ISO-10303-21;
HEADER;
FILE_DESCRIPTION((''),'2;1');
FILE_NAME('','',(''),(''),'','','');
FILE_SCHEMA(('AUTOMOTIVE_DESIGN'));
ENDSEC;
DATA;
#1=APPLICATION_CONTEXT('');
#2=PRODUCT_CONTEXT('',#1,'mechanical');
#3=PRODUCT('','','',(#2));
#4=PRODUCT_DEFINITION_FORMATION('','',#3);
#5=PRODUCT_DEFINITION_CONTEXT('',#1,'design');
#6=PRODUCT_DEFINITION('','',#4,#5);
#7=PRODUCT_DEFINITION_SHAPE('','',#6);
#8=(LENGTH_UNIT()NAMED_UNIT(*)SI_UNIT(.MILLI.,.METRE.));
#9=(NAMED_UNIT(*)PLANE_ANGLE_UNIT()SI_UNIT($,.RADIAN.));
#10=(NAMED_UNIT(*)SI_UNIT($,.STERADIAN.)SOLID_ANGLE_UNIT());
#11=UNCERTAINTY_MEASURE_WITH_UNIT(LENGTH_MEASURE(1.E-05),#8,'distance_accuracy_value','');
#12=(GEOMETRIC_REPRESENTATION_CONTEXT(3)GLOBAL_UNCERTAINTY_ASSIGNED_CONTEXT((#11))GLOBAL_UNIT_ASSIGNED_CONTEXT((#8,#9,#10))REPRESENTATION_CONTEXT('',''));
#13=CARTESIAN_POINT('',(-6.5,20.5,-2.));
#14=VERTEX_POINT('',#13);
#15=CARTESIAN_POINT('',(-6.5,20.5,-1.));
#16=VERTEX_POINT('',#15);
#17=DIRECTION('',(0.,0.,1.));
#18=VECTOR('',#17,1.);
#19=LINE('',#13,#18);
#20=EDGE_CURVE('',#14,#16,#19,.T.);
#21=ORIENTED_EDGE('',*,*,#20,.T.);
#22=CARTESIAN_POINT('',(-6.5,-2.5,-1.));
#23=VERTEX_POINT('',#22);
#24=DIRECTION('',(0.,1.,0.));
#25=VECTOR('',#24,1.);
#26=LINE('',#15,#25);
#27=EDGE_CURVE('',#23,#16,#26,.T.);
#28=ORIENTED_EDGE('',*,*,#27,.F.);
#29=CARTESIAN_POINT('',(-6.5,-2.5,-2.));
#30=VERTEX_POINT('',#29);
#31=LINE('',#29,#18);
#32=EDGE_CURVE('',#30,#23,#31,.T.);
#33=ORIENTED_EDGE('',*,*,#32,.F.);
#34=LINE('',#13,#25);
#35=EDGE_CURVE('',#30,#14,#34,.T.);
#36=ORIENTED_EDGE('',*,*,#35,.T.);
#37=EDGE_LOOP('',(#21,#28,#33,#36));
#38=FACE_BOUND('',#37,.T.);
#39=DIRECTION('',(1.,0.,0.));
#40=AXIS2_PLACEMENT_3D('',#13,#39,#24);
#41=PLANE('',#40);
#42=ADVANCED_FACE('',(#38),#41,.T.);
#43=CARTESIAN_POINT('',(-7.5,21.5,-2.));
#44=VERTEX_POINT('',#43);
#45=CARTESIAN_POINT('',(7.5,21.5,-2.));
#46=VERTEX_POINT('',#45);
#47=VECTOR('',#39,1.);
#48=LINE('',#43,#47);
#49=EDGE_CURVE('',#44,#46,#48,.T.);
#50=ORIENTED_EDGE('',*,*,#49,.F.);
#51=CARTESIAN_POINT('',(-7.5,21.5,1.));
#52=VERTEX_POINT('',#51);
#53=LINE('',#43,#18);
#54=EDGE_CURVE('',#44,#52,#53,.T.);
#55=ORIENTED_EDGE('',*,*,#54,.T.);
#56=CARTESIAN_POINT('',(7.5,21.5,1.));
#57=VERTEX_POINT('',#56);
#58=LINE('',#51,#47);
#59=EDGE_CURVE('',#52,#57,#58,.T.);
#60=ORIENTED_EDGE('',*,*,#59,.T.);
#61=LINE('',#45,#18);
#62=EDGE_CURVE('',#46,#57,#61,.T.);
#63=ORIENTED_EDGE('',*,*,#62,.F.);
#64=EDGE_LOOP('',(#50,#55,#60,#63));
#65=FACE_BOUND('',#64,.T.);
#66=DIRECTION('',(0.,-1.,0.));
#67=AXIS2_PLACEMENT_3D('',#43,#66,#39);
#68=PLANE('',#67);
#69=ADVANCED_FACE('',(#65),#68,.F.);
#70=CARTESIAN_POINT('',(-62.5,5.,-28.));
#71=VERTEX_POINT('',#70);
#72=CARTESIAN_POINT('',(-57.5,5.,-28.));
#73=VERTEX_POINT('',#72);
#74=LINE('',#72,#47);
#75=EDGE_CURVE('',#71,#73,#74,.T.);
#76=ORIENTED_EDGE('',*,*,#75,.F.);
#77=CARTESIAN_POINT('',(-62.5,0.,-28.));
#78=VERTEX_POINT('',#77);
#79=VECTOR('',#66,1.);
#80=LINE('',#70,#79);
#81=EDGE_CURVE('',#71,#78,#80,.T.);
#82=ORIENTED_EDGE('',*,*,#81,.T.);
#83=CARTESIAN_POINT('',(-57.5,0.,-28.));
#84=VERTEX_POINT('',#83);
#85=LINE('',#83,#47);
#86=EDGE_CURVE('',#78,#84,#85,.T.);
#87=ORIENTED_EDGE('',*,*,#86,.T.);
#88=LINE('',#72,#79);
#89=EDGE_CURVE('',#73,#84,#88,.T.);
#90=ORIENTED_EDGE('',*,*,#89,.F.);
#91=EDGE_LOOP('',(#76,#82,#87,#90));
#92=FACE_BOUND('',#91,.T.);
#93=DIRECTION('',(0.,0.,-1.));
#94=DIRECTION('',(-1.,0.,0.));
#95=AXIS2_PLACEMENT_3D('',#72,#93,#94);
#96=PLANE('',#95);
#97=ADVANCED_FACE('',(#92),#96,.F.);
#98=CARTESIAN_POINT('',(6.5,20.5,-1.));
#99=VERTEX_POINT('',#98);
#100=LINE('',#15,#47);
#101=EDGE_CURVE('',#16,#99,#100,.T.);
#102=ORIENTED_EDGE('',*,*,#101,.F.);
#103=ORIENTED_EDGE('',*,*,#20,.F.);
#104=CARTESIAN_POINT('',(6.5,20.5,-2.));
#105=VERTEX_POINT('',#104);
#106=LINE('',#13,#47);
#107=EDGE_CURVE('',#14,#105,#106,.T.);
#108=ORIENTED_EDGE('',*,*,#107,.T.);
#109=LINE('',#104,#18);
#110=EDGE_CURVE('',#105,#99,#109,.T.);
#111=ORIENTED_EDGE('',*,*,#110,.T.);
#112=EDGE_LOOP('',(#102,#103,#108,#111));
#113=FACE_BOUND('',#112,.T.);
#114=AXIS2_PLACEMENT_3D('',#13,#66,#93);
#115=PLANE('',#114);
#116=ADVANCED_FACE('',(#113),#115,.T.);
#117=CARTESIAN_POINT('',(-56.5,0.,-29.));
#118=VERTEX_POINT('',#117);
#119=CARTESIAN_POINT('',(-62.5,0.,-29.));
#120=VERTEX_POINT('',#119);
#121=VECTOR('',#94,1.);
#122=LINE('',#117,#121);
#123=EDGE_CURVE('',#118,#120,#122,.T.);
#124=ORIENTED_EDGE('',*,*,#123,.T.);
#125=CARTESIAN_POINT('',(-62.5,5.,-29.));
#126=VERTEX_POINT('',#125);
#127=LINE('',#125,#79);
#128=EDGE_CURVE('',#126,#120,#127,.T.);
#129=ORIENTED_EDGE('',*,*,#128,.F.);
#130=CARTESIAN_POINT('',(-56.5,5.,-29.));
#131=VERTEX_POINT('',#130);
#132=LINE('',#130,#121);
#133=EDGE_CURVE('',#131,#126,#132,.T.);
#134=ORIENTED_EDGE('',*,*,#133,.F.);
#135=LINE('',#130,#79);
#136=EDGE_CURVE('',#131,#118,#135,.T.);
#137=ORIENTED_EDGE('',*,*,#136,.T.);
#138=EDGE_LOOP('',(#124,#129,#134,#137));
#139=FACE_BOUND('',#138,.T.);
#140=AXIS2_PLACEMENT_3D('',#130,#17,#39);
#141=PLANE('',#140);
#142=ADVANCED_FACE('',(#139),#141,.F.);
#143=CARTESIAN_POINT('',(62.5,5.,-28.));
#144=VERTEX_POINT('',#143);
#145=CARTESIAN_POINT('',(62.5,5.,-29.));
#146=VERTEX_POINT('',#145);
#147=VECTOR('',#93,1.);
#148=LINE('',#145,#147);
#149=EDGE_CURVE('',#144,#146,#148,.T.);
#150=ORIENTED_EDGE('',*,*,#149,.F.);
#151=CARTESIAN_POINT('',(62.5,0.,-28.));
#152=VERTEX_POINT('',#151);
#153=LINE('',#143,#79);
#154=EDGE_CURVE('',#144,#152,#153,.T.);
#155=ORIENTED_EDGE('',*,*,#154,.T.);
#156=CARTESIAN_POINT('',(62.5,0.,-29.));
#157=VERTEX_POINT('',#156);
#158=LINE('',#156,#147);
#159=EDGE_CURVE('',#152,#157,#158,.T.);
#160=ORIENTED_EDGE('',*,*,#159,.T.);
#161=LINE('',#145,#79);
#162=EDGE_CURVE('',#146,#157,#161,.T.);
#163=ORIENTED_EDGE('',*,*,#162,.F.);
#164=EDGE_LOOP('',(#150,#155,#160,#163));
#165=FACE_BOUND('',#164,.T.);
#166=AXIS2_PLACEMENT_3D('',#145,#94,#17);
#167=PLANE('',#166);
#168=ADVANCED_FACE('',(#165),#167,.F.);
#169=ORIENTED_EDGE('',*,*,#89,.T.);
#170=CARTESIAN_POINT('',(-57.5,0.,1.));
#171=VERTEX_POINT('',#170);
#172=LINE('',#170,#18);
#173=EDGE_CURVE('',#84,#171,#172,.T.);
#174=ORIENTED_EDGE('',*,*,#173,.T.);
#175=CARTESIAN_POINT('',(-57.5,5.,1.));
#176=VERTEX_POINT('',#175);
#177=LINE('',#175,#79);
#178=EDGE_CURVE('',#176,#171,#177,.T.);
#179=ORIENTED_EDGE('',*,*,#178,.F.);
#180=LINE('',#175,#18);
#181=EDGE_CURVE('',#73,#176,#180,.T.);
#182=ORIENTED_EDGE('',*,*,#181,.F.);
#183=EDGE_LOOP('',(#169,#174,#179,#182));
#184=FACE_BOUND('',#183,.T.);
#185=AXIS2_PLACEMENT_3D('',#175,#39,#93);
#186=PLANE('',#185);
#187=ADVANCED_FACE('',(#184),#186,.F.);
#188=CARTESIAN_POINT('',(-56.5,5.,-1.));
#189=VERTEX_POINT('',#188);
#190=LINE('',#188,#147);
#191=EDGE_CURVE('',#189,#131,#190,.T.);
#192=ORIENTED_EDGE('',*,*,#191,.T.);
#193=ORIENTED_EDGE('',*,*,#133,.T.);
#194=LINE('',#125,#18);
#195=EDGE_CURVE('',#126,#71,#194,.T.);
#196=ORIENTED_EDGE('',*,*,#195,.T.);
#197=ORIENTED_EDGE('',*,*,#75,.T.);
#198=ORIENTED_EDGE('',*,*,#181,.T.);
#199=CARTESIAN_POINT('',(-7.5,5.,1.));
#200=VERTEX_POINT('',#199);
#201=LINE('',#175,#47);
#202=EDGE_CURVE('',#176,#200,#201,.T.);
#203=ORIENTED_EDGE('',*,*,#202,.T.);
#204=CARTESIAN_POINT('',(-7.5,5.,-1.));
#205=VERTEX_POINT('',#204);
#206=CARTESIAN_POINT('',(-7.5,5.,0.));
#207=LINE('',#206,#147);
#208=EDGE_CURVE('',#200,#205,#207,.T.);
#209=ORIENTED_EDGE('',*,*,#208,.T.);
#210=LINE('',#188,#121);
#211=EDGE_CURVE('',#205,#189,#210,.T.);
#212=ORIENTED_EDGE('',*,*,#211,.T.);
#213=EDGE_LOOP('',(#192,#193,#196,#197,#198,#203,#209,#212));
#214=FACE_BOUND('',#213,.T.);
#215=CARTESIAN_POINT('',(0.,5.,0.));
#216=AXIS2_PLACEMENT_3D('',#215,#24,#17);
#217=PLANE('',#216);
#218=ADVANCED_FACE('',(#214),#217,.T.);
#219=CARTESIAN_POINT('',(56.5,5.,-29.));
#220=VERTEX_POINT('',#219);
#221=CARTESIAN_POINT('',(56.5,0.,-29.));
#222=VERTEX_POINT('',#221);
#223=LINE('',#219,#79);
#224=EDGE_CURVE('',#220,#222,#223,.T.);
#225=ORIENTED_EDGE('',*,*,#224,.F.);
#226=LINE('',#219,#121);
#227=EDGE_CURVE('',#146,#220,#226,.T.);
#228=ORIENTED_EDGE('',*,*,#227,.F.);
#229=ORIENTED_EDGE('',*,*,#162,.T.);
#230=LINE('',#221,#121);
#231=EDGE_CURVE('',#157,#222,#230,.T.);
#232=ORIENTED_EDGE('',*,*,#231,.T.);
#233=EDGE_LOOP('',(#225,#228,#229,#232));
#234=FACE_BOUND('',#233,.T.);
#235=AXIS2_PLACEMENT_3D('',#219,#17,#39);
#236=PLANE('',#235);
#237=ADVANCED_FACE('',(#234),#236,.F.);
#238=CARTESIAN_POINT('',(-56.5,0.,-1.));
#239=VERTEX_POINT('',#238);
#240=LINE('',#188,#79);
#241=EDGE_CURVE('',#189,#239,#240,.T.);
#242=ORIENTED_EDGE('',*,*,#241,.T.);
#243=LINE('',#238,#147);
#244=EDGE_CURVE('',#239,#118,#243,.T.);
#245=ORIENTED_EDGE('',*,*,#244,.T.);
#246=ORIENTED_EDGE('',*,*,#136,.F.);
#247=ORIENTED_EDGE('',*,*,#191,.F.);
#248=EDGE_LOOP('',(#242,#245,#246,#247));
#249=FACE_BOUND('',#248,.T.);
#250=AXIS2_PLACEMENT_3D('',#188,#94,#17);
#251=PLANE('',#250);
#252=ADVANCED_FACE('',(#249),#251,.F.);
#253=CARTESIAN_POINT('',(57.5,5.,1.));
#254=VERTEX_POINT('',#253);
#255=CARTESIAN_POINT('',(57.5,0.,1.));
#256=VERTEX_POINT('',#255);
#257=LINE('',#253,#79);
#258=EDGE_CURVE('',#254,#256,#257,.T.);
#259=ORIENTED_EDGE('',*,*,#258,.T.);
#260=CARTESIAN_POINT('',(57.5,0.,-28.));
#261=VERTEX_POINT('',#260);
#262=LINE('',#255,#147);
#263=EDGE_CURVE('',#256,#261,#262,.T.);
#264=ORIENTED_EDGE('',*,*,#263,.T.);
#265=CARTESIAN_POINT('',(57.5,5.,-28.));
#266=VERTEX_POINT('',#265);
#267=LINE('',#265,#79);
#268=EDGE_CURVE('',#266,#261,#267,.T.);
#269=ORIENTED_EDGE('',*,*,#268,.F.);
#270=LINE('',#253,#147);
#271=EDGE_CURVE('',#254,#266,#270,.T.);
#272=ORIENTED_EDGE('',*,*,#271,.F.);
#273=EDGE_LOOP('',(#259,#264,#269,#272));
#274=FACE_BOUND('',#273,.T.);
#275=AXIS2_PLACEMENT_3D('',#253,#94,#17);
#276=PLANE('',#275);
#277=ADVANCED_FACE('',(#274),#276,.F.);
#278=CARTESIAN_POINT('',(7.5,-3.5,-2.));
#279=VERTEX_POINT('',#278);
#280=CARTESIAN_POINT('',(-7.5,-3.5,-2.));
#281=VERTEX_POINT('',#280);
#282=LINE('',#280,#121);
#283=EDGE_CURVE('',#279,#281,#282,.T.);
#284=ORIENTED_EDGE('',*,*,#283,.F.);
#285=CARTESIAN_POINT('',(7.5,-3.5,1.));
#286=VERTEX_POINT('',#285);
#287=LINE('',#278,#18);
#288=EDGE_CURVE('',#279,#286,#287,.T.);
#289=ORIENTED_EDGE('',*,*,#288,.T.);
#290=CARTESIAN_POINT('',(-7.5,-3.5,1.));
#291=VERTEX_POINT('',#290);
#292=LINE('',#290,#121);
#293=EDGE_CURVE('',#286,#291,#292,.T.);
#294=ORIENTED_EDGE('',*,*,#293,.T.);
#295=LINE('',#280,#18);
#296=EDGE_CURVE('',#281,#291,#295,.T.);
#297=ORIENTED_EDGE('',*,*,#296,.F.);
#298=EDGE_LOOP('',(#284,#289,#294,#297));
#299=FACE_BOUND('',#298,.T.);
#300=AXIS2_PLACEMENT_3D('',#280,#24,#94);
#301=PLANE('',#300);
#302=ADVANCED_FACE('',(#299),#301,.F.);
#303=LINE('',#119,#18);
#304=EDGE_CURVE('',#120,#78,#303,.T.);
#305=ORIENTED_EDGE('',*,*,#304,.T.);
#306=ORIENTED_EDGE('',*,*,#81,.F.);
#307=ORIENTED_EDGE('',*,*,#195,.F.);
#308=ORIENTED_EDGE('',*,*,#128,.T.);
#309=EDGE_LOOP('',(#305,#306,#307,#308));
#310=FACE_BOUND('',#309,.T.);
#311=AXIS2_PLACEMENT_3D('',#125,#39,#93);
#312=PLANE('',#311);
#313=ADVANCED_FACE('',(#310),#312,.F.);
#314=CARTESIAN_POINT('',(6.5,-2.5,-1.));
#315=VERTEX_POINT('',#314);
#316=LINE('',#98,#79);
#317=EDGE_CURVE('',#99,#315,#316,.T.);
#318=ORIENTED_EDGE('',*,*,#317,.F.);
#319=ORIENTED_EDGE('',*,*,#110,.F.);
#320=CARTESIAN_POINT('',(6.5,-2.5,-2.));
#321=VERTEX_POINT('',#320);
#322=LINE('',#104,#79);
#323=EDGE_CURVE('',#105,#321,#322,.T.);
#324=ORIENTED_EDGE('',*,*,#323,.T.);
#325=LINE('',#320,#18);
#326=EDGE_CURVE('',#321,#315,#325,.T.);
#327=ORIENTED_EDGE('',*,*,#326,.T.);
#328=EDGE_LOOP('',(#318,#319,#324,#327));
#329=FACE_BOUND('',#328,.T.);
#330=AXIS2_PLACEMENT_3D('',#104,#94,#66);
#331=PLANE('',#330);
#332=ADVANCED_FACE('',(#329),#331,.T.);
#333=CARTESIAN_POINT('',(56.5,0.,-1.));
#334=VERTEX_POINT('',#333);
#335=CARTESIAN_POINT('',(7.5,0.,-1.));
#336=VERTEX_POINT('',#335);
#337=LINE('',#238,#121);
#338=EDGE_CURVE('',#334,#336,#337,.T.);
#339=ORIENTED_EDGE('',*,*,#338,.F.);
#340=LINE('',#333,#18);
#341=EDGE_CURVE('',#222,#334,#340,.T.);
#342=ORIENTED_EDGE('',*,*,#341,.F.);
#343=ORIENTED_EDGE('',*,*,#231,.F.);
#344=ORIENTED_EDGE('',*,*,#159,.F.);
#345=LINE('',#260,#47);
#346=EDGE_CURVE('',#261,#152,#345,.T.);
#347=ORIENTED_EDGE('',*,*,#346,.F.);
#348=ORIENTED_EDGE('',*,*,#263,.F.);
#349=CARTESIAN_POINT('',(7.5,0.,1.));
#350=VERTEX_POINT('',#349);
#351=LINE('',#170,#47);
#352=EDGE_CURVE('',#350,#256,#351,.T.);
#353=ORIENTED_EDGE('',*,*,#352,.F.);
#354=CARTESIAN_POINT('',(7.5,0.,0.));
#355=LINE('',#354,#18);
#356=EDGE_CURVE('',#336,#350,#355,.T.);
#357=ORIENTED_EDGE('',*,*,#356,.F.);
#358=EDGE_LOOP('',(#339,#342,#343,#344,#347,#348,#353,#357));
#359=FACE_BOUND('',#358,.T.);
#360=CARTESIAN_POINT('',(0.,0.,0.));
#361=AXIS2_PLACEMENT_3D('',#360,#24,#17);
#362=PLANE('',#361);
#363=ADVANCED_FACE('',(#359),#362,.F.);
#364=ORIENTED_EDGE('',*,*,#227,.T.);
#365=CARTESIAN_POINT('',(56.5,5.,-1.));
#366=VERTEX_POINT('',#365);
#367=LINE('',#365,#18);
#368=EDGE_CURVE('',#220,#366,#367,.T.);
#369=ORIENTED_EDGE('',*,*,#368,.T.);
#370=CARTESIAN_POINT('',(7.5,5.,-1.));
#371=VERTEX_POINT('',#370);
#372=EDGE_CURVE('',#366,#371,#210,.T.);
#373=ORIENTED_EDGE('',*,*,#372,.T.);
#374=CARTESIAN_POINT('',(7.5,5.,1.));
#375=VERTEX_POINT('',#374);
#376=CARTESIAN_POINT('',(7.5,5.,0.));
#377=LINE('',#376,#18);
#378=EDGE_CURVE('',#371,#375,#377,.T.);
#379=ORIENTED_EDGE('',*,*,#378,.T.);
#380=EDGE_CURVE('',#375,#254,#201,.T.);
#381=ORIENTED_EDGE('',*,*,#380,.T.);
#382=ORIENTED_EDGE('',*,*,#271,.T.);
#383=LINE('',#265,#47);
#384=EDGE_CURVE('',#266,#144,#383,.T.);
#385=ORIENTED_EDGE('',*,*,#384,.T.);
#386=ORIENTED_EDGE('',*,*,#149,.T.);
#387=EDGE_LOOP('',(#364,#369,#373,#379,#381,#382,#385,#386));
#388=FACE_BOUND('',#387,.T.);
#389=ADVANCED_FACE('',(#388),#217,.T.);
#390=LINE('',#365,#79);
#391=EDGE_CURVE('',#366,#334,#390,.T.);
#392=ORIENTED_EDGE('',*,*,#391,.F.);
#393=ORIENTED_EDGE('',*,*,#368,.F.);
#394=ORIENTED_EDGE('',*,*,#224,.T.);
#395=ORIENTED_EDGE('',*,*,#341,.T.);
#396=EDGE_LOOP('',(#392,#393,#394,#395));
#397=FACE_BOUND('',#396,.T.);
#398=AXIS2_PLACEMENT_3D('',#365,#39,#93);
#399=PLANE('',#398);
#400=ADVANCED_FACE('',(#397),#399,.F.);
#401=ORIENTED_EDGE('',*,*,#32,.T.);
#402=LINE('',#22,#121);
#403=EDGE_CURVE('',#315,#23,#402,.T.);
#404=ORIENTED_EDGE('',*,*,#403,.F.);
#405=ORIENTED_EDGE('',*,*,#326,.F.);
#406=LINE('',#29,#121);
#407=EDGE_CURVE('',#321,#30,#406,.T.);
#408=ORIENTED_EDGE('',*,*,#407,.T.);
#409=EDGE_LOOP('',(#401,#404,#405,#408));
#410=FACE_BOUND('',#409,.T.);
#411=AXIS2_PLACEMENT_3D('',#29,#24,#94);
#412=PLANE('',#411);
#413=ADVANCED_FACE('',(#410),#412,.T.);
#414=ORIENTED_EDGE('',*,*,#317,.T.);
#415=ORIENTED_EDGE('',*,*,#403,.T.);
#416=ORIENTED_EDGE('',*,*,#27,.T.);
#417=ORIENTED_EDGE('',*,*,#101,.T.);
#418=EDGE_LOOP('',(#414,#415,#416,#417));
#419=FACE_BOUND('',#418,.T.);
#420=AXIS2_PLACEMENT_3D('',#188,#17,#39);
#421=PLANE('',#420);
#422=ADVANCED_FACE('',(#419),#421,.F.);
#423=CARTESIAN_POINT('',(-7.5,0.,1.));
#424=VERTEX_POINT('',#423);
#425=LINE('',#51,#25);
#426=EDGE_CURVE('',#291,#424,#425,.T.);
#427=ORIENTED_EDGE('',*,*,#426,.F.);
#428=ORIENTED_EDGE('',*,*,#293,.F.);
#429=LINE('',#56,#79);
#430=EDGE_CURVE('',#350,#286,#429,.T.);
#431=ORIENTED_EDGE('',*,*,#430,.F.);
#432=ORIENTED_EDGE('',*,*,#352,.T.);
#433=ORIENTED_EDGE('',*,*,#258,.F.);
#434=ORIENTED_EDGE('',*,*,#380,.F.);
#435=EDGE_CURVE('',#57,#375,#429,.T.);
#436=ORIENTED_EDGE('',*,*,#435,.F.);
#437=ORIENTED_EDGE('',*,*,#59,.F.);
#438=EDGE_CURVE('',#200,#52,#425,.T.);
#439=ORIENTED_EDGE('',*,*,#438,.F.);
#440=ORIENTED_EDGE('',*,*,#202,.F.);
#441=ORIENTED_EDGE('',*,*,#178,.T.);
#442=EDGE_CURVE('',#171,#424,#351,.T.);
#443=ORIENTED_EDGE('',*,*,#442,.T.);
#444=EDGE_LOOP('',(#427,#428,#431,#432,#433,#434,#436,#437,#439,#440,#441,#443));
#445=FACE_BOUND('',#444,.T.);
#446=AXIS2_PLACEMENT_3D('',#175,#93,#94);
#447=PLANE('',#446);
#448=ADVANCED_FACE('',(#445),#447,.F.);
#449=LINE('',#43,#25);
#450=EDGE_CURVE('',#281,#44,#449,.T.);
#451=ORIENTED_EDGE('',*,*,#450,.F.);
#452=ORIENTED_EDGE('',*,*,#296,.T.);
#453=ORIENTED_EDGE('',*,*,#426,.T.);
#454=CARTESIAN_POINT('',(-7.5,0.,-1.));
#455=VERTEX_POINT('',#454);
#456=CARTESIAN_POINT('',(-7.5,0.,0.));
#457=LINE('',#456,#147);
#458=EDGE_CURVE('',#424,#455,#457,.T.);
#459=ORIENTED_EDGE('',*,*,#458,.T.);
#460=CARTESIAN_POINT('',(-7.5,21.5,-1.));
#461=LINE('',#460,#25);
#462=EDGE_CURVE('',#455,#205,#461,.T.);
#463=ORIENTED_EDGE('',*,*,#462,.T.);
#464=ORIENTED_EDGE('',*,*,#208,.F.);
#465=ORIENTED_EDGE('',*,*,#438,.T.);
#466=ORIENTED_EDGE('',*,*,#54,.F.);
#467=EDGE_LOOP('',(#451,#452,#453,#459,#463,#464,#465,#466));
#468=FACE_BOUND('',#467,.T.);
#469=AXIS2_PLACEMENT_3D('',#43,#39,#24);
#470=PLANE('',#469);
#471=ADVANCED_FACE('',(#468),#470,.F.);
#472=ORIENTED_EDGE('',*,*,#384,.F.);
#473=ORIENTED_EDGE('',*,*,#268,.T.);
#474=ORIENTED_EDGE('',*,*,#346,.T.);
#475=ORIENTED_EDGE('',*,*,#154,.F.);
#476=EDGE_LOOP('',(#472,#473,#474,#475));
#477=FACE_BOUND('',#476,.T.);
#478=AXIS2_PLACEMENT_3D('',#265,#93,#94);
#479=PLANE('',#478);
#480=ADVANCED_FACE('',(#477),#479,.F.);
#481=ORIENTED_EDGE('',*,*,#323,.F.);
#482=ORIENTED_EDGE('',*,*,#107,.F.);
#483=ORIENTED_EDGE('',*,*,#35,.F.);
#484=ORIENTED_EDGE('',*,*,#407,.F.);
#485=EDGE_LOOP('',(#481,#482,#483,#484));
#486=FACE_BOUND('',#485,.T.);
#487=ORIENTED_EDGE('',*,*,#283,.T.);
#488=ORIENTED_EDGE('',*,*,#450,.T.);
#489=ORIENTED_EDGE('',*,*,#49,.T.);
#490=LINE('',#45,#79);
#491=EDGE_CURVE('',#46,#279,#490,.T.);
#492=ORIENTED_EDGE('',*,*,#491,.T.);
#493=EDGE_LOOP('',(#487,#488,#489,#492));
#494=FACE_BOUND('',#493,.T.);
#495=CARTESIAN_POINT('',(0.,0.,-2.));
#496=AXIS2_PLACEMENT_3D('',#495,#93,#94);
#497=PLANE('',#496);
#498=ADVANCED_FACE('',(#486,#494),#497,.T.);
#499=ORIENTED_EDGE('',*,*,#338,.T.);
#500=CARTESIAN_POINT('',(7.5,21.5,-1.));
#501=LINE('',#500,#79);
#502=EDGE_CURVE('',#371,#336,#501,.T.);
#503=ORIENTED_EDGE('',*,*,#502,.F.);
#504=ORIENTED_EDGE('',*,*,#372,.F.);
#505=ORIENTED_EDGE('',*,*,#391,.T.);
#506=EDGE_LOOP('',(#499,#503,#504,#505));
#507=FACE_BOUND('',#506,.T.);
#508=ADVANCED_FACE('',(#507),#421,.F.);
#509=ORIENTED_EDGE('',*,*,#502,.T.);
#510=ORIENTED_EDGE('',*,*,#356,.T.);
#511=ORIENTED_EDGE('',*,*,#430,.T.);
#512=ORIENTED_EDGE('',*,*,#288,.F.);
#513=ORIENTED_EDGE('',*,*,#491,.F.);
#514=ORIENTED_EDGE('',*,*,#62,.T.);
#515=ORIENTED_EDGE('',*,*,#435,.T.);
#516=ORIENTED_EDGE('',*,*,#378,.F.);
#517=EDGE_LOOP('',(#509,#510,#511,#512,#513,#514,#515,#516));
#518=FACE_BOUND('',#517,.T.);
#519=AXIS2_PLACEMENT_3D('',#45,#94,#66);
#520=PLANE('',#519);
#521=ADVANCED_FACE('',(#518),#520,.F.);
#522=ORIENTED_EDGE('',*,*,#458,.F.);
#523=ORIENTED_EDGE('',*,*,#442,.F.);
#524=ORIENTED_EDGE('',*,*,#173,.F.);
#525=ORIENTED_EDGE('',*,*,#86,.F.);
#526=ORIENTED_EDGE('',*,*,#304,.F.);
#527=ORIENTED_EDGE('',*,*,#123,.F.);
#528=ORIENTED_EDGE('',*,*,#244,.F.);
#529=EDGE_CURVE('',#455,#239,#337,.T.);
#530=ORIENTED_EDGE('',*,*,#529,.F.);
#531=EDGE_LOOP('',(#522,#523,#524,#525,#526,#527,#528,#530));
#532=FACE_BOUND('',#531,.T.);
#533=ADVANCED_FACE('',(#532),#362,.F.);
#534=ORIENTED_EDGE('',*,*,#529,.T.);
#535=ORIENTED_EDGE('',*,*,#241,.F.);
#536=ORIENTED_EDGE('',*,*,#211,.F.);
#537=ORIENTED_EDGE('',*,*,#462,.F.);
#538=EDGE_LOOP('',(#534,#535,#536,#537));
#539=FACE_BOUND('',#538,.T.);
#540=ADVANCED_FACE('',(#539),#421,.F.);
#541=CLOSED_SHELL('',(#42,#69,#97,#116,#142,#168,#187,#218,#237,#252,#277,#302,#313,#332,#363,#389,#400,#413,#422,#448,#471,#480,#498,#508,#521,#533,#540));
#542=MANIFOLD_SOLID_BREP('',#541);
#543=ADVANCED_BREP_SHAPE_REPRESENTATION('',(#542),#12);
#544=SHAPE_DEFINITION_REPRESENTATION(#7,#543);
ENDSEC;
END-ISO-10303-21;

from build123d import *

# Parameters (mm, degrees)
BOSS_EXTRUDE2_DEPTH = 5
SKETCH3_W           = 15
SKETCH3_H           = 25
SKETCH3_W_2         = 13
SKETCH3_H_2         = 23
BOSS_EXTRUDE3_DEPTH = 1
SKETCH5_W           = 15
SKETCH5_H           = 25
BOSS_EXTRUDE5_DEPTH = 2


with BuildPart() as part:
    # Sketch1 → Boss-Extrude2 (new body)
    with BuildSketch(Plane(origin=(0, 0, 0), x_dir=(1, 0, 0), z_dir=(0, 1, 0))):
        Polygon((-57.5, -1), (57.5, -1), (57.5, 28), (62.5, 28), (62.5, 29), (56.5, 29), (56.5, 1), (-56.5, 1), (-56.5, 29), (-62.5, 29), (-62.5, 28), (-57.5, 28), align=None)
    extrude(amount=BOSS_EXTRUDE2_DEPTH)

    # Sketch3 → Boss-Extrude3 (add)
    with BuildSketch(Plane(origin=(0, 0, -1), x_dir=(-1, 0, 0), z_dir=(0, 0, -1))):
        with Locations((0, 9)):
            Rectangle(SKETCH3_W, SKETCH3_H)
        with Locations((0, 9)):
            Rectangle(SKETCH3_W_2, SKETCH3_H_2, mode=Mode.SUBTRACT)
    extrude(amount=BOSS_EXTRUDE3_DEPTH)

    # Sketch5 → Boss-Extrude5 (add)
    with BuildSketch(Plane.XY.offset(-1)):
        with Locations((0, 9)):
            Rectangle(SKETCH5_W, SKETCH5_H)
    extrude(amount=BOSS_EXTRUDE5_DEPTH)


solid = part.part
